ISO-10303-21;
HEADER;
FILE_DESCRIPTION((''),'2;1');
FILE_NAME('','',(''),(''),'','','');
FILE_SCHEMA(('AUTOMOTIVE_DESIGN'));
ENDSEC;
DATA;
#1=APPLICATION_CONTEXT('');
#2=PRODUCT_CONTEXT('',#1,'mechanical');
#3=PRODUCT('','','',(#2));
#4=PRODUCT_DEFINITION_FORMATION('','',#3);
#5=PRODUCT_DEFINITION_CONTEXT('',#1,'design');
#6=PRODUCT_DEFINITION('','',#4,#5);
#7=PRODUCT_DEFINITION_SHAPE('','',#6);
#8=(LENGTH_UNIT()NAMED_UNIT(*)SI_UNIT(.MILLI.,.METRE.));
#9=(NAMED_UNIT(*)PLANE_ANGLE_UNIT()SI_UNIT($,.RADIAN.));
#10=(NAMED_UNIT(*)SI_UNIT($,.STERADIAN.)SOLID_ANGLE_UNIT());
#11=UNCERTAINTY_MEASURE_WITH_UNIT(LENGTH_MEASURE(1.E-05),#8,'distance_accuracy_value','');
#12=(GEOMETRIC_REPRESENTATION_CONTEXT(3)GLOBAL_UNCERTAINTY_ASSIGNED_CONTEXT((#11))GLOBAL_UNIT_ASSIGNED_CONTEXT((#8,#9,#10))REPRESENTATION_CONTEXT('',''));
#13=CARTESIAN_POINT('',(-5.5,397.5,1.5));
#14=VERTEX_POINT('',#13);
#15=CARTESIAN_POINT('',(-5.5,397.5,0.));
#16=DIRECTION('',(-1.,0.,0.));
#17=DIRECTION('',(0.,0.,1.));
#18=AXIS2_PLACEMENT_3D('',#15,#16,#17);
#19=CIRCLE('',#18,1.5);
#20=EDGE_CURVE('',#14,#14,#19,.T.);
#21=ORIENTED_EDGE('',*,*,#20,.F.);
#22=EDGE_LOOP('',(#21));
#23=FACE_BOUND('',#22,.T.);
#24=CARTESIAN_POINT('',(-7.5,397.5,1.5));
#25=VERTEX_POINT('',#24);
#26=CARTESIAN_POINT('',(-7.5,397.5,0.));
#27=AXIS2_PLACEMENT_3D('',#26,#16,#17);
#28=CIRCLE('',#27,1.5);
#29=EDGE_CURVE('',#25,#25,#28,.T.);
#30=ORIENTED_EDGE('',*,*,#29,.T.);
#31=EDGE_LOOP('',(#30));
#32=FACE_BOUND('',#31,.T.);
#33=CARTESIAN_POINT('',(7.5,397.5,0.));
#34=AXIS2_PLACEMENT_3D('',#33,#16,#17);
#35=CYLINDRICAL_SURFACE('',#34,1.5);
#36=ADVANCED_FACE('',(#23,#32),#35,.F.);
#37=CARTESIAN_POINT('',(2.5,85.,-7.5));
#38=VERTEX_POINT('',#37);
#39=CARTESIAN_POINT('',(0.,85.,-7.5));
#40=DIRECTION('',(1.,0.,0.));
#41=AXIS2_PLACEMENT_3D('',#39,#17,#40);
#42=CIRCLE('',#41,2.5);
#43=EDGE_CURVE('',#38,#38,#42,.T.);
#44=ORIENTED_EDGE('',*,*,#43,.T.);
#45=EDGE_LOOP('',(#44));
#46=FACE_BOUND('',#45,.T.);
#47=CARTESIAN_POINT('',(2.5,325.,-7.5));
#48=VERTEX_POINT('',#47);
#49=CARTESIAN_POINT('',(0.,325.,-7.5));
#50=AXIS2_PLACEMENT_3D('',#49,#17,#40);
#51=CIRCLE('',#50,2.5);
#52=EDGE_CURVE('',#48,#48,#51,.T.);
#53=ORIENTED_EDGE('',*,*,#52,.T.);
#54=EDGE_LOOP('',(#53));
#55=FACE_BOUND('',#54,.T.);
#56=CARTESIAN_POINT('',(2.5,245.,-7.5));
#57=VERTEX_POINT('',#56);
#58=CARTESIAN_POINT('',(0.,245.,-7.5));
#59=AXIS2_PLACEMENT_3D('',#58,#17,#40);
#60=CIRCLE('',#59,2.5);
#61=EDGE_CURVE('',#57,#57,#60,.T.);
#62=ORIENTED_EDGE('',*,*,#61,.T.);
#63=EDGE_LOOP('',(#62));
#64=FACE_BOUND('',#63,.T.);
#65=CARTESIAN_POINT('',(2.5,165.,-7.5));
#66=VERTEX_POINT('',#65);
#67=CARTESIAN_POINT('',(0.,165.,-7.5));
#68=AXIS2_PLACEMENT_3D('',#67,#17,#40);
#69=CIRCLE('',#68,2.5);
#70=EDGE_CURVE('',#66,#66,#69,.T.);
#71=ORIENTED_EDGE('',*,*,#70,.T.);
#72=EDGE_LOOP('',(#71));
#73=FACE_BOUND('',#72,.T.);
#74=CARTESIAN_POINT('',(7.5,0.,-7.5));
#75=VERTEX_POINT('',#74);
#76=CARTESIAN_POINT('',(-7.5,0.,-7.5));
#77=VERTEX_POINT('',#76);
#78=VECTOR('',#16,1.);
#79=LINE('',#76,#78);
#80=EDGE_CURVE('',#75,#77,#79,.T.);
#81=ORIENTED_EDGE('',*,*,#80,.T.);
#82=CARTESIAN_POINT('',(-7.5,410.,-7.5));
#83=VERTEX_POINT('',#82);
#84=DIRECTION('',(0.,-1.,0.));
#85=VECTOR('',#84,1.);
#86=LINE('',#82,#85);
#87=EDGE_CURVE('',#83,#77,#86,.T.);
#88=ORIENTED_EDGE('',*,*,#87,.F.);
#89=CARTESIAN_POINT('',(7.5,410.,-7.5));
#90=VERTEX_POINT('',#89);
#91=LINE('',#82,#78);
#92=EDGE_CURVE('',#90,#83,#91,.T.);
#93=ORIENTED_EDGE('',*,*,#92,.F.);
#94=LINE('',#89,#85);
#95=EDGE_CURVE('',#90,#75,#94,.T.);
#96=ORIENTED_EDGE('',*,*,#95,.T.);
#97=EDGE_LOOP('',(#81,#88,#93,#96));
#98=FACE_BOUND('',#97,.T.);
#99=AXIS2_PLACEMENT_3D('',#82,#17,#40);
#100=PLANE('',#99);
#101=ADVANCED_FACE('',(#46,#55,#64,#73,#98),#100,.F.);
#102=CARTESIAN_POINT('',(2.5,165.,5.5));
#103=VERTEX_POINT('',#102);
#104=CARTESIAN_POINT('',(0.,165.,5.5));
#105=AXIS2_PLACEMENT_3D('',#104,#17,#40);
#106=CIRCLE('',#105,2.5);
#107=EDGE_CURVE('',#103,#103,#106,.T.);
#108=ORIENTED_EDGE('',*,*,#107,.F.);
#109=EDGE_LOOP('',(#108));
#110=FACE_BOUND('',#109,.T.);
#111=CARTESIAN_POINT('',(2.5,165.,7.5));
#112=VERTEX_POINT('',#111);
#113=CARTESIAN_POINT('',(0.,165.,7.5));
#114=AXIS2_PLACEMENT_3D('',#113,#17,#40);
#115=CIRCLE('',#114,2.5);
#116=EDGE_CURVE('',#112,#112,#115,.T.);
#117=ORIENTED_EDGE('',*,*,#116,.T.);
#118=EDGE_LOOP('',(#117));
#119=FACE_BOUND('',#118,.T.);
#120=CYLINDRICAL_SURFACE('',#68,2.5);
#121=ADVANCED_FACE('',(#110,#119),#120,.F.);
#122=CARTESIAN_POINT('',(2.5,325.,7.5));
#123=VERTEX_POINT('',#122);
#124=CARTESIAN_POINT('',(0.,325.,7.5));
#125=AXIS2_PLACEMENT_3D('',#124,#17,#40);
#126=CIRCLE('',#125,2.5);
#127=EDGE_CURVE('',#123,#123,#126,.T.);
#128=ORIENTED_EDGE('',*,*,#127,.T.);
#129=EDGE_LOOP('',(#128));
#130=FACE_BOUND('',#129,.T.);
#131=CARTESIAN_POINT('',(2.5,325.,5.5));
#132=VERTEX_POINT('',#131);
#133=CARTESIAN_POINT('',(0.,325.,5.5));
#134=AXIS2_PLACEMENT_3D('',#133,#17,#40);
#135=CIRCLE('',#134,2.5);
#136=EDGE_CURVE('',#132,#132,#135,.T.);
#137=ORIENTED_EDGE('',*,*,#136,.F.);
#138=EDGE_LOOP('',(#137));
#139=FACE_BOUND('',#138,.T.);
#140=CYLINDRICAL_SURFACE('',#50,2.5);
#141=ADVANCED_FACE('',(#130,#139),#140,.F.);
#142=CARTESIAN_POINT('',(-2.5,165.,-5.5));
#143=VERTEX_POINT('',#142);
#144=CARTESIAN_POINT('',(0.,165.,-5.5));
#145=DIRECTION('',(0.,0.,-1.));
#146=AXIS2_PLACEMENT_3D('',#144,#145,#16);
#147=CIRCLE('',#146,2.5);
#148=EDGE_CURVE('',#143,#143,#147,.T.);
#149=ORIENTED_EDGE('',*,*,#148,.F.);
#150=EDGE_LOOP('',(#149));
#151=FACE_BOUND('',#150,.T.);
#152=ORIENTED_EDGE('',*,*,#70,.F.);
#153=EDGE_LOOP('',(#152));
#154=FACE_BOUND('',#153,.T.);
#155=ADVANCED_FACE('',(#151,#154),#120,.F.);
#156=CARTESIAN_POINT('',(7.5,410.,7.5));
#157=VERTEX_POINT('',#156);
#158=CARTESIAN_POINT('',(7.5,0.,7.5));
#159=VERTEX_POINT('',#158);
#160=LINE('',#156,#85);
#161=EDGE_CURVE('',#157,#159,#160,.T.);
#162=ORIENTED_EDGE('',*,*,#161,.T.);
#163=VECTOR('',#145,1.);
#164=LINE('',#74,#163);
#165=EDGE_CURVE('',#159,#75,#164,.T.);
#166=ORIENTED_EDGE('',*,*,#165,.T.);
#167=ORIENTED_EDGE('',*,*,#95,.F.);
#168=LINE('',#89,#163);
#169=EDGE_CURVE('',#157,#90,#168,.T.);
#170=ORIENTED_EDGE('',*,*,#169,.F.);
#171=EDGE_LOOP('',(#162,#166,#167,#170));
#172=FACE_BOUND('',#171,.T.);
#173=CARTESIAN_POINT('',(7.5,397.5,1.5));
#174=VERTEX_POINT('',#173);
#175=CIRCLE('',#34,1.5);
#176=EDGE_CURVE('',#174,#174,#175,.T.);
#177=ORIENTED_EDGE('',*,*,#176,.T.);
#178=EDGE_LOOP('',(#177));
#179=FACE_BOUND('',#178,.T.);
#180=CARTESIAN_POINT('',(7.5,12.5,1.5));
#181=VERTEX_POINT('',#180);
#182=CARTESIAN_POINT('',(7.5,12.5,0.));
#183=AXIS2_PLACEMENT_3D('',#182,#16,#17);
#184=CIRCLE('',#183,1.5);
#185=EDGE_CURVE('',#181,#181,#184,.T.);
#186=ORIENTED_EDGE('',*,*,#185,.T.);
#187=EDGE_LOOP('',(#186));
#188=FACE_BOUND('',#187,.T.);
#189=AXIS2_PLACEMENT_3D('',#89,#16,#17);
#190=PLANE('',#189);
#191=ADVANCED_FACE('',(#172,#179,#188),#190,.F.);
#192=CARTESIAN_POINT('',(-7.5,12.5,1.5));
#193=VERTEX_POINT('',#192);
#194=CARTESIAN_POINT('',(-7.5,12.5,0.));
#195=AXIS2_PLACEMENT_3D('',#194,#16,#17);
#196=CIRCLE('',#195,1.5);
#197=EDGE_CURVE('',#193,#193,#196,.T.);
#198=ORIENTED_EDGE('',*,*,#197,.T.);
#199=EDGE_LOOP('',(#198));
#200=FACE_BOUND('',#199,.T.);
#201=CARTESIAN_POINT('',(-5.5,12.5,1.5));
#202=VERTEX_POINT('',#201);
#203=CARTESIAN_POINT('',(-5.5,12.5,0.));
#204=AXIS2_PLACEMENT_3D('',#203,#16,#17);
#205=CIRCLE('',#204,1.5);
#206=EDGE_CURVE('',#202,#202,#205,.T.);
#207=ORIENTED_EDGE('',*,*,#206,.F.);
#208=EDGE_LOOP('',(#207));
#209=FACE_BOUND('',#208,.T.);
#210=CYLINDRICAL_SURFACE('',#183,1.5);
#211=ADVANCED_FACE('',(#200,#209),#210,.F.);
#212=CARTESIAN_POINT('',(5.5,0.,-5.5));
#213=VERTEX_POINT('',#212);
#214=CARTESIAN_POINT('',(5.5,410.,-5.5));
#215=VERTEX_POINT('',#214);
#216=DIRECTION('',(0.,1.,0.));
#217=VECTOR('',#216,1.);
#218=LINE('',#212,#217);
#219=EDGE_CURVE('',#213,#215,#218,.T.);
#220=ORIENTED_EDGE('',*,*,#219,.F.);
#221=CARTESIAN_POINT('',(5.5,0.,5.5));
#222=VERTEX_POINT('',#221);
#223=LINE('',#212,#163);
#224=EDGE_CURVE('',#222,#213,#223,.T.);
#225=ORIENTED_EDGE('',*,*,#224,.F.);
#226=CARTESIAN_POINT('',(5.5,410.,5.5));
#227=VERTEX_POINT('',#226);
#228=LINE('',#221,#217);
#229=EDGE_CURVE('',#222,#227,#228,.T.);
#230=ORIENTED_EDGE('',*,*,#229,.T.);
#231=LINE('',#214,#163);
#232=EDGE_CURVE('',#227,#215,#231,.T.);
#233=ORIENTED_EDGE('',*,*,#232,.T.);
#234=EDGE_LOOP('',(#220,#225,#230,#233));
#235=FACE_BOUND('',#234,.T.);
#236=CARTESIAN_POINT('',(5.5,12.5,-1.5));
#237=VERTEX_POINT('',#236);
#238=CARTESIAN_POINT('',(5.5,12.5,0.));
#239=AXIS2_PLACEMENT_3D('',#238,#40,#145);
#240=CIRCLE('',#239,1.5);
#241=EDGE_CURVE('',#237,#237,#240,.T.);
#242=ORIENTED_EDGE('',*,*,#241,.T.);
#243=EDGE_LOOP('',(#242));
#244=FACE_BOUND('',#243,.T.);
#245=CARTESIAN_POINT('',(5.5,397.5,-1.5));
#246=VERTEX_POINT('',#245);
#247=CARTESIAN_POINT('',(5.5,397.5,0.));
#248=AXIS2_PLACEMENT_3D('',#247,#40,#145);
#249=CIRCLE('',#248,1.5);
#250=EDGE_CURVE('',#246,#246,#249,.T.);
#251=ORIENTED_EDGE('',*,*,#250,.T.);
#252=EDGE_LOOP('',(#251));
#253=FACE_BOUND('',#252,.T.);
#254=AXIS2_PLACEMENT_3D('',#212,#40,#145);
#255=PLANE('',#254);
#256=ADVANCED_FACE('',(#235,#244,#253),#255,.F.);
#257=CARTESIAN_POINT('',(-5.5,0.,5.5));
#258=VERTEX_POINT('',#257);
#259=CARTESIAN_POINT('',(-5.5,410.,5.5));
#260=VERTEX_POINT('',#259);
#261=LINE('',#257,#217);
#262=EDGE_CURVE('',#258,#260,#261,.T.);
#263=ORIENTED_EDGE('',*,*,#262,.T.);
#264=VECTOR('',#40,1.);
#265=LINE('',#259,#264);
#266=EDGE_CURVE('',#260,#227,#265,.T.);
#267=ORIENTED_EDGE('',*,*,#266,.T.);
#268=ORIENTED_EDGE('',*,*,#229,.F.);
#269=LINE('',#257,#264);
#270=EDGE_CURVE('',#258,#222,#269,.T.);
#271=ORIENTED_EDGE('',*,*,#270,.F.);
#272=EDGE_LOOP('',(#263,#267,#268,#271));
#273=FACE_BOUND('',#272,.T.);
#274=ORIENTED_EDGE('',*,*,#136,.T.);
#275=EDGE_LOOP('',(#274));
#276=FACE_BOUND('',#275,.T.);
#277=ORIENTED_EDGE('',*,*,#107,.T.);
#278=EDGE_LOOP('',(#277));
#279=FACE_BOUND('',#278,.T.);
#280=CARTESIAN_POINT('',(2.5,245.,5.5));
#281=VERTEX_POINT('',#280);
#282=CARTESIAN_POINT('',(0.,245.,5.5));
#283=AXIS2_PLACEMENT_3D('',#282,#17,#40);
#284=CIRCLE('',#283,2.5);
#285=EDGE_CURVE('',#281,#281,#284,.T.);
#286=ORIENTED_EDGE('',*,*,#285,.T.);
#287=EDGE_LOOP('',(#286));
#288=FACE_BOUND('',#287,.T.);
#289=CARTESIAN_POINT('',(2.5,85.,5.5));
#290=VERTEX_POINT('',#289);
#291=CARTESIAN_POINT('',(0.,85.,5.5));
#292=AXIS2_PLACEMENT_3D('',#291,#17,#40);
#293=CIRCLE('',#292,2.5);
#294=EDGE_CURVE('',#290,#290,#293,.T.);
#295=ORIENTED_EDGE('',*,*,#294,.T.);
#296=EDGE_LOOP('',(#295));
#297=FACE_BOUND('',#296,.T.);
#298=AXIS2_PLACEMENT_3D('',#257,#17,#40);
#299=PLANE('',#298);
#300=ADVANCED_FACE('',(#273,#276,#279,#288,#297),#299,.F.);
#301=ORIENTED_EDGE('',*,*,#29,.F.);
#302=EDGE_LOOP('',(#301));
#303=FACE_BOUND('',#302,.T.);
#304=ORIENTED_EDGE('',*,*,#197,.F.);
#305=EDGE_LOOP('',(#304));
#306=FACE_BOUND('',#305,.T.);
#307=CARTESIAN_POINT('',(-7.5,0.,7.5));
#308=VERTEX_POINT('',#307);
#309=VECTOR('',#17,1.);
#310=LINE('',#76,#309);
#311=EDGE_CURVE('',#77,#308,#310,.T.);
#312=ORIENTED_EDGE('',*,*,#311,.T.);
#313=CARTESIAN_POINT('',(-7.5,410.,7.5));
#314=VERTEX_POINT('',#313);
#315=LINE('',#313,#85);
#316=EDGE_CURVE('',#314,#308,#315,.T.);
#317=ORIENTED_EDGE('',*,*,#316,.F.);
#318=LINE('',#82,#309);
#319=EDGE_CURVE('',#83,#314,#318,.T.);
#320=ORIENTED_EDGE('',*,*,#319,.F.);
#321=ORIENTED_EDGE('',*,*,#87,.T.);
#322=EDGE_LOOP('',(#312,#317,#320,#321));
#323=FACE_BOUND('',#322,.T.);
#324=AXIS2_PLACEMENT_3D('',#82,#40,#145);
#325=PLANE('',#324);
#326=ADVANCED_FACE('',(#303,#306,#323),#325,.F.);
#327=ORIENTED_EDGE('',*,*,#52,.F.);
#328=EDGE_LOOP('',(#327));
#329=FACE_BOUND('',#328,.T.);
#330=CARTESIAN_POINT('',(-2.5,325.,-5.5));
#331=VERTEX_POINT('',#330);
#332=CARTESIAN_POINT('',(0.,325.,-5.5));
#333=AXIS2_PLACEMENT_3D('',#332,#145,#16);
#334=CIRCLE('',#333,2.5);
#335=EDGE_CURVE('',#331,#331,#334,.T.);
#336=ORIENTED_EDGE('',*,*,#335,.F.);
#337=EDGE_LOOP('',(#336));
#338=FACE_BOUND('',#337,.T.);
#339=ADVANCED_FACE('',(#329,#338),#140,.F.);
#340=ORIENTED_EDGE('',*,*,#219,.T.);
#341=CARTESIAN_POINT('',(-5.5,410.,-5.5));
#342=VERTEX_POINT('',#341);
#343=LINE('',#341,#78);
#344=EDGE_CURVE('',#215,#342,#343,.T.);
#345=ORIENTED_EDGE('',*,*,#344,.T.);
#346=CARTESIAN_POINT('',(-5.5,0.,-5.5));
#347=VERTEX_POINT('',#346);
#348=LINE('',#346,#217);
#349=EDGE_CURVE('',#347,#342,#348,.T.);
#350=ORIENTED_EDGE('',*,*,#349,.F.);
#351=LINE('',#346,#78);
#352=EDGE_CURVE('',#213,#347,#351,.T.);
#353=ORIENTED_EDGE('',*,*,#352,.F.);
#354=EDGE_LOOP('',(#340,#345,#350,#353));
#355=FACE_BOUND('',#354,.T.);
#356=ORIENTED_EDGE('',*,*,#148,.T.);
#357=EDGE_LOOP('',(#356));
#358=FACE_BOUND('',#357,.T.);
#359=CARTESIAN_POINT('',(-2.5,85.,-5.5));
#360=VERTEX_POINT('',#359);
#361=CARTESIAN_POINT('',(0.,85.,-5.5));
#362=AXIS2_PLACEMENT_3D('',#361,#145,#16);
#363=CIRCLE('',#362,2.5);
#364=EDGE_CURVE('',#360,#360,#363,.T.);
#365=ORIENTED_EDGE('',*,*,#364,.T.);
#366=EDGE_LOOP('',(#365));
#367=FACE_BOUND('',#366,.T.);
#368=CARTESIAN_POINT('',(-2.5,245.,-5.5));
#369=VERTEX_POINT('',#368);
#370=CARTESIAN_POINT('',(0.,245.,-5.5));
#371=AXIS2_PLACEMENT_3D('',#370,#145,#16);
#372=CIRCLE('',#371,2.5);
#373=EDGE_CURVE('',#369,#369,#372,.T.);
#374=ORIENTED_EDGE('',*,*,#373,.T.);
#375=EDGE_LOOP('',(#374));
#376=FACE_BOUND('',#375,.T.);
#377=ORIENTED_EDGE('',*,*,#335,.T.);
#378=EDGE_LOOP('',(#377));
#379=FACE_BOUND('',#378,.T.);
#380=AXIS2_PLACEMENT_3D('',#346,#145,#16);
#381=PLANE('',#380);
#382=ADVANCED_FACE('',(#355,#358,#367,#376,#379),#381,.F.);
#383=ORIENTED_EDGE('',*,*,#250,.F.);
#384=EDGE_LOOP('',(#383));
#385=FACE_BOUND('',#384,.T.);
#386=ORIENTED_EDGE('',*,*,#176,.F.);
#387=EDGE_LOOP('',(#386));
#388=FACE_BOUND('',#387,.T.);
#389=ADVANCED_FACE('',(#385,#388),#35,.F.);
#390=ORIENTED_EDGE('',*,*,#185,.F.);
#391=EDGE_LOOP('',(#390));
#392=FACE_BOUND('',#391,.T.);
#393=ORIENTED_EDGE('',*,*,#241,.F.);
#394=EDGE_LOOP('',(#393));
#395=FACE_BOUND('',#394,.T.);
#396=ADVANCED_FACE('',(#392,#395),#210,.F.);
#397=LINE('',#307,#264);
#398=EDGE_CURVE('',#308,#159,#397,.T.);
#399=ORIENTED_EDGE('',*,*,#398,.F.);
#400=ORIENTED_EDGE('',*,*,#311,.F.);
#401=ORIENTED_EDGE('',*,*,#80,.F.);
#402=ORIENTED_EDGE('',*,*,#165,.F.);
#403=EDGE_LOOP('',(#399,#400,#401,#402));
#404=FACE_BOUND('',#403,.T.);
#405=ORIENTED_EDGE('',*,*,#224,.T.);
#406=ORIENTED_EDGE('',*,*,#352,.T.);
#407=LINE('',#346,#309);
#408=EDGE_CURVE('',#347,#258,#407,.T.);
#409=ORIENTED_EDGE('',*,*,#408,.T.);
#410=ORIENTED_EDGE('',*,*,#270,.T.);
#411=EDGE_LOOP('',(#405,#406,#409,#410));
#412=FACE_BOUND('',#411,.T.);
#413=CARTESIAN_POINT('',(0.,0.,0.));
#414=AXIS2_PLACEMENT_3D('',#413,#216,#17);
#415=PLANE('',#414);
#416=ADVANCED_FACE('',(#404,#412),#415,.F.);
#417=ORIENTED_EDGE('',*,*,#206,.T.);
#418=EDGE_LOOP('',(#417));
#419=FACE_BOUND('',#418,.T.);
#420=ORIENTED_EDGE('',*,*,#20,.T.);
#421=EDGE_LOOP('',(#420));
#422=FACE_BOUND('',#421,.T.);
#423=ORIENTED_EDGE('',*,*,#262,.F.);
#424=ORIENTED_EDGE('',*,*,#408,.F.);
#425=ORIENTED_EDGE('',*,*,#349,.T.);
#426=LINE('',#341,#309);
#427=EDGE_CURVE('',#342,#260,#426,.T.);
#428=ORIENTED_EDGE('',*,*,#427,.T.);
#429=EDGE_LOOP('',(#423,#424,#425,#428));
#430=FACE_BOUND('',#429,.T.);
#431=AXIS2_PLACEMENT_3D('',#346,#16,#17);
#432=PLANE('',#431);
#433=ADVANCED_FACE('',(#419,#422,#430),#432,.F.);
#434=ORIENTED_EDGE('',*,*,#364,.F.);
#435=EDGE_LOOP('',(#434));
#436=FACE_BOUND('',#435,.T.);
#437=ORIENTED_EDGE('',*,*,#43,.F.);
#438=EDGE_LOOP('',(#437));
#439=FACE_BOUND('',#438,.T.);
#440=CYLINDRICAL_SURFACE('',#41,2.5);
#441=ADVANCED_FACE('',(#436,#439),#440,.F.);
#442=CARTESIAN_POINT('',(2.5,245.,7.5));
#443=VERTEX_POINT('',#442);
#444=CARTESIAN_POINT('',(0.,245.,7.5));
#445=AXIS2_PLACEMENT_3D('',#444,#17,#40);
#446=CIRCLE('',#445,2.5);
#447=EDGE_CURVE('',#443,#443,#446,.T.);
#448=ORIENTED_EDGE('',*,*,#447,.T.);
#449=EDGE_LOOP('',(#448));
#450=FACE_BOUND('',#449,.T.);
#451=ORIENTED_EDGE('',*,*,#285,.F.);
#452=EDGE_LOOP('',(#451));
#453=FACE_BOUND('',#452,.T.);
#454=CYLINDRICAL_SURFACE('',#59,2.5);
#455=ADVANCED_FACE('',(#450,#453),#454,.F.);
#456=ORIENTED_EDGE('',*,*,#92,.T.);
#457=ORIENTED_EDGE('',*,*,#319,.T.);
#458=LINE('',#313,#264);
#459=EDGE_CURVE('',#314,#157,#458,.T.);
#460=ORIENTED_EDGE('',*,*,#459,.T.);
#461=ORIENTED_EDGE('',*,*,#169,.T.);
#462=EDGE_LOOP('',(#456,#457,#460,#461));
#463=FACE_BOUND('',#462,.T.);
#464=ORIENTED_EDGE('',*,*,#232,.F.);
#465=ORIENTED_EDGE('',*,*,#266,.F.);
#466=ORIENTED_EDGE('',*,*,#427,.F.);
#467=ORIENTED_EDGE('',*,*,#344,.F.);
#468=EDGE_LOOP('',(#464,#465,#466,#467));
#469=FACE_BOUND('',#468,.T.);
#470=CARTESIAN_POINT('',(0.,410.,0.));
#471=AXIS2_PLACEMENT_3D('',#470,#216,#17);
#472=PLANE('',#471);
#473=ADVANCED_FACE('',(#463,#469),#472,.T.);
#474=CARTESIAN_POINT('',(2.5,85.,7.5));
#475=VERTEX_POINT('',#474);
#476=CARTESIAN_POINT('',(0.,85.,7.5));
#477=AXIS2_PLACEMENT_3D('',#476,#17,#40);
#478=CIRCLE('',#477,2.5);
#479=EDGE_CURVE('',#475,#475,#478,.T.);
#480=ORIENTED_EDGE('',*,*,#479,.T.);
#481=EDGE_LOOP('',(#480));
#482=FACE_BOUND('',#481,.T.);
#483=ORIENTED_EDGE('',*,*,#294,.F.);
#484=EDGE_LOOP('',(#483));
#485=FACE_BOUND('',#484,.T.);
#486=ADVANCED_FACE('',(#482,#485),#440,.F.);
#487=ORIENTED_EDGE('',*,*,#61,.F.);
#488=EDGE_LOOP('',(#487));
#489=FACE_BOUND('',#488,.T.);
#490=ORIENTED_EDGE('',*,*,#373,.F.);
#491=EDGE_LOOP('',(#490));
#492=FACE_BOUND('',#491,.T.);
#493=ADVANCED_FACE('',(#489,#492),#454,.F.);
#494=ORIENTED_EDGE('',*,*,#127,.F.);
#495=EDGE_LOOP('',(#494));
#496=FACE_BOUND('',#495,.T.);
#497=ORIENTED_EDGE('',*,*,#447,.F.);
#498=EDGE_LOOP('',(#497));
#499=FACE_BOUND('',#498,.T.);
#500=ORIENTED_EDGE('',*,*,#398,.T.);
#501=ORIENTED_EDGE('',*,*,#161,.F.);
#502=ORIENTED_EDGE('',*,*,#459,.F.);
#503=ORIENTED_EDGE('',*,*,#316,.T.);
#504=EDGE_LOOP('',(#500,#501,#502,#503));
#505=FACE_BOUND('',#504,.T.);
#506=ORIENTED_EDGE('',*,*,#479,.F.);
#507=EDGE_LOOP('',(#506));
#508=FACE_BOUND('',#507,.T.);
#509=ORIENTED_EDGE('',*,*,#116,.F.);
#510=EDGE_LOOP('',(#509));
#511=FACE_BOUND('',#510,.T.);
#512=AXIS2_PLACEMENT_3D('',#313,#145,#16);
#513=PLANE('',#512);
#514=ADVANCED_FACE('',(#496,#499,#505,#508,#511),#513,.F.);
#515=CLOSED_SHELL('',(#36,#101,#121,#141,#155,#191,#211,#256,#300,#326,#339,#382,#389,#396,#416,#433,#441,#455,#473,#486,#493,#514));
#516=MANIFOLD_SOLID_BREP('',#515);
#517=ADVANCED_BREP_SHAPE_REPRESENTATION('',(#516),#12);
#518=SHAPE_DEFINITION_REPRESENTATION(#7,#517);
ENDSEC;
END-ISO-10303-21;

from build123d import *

# Parameters (mm, degrees)
SKETCH_1_W          = 15
SKETCH_1_H          = 15
EXTRUDE_1_DEPTH     = 410
SKETCH_2_W          = 11
SKETCH_2_H          = 11
CUT_EXTRUDE_1_DEPTH = 410
SKETCH_3_R          = 2.5
CUT_EXTRUDE_2_DEPTH = 15
SKETCH_4_R          = 1.5
CUT_EXTRUDE_3_DEPTH = 15


with BuildPart() as part:
    # 草图1 → 凸台-拉伸1 (new body)
    with BuildSketch(Plane(origin=(0, 0, 0), x_dir=(1, 0, 0), z_dir=(0, 1, 0))):
        Rectangle(SKETCH_1_W, SKETCH_1_H)
    extrude(amount=EXTRUDE_1_DEPTH)

    # 草图2 → 切除-拉伸1 (cut)
    with BuildSketch(Plane(origin=(0, 410, 0), x_dir=(1, 0, 0), z_dir=(0, 1, 0))):
        Rectangle(SKETCH_2_W, SKETCH_2_H)
    extrude(amount=-CUT_EXTRUDE_1_DEPTH, mode=Mode.SUBTRACT)

    # 草图3 → 切除-拉伸2 (cut)
    with BuildSketch(Plane.XY.offset(7.5)):
        with Locations((0, 85)):
            Circle(SKETCH_3_R)
        with Locations((0, 165)):
            Circle(SKETCH_3_R)
        with Locations((0, 245)):
            Circle(SKETCH_3_R)
        with Locations((0, 325)):
            Circle(SKETCH_3_R)
    extrude(amount=-CUT_EXTRUDE_2_DEPTH, mode=Mode.SUBTRACT)

    # 草图4 → 切除-拉伸3 (cut)
    with BuildSketch(Plane.ZY.offset(7.5)):
        with Locations((0, 12.5)):
            Circle(SKETCH_4_R)
        with Locations((0, 397.5)):
            Circle(SKETCH_4_R)
    extrude(amount=-CUT_EXTRUDE_3_DEPTH, mode=Mode.SUBTRACT)


solid = part.part
